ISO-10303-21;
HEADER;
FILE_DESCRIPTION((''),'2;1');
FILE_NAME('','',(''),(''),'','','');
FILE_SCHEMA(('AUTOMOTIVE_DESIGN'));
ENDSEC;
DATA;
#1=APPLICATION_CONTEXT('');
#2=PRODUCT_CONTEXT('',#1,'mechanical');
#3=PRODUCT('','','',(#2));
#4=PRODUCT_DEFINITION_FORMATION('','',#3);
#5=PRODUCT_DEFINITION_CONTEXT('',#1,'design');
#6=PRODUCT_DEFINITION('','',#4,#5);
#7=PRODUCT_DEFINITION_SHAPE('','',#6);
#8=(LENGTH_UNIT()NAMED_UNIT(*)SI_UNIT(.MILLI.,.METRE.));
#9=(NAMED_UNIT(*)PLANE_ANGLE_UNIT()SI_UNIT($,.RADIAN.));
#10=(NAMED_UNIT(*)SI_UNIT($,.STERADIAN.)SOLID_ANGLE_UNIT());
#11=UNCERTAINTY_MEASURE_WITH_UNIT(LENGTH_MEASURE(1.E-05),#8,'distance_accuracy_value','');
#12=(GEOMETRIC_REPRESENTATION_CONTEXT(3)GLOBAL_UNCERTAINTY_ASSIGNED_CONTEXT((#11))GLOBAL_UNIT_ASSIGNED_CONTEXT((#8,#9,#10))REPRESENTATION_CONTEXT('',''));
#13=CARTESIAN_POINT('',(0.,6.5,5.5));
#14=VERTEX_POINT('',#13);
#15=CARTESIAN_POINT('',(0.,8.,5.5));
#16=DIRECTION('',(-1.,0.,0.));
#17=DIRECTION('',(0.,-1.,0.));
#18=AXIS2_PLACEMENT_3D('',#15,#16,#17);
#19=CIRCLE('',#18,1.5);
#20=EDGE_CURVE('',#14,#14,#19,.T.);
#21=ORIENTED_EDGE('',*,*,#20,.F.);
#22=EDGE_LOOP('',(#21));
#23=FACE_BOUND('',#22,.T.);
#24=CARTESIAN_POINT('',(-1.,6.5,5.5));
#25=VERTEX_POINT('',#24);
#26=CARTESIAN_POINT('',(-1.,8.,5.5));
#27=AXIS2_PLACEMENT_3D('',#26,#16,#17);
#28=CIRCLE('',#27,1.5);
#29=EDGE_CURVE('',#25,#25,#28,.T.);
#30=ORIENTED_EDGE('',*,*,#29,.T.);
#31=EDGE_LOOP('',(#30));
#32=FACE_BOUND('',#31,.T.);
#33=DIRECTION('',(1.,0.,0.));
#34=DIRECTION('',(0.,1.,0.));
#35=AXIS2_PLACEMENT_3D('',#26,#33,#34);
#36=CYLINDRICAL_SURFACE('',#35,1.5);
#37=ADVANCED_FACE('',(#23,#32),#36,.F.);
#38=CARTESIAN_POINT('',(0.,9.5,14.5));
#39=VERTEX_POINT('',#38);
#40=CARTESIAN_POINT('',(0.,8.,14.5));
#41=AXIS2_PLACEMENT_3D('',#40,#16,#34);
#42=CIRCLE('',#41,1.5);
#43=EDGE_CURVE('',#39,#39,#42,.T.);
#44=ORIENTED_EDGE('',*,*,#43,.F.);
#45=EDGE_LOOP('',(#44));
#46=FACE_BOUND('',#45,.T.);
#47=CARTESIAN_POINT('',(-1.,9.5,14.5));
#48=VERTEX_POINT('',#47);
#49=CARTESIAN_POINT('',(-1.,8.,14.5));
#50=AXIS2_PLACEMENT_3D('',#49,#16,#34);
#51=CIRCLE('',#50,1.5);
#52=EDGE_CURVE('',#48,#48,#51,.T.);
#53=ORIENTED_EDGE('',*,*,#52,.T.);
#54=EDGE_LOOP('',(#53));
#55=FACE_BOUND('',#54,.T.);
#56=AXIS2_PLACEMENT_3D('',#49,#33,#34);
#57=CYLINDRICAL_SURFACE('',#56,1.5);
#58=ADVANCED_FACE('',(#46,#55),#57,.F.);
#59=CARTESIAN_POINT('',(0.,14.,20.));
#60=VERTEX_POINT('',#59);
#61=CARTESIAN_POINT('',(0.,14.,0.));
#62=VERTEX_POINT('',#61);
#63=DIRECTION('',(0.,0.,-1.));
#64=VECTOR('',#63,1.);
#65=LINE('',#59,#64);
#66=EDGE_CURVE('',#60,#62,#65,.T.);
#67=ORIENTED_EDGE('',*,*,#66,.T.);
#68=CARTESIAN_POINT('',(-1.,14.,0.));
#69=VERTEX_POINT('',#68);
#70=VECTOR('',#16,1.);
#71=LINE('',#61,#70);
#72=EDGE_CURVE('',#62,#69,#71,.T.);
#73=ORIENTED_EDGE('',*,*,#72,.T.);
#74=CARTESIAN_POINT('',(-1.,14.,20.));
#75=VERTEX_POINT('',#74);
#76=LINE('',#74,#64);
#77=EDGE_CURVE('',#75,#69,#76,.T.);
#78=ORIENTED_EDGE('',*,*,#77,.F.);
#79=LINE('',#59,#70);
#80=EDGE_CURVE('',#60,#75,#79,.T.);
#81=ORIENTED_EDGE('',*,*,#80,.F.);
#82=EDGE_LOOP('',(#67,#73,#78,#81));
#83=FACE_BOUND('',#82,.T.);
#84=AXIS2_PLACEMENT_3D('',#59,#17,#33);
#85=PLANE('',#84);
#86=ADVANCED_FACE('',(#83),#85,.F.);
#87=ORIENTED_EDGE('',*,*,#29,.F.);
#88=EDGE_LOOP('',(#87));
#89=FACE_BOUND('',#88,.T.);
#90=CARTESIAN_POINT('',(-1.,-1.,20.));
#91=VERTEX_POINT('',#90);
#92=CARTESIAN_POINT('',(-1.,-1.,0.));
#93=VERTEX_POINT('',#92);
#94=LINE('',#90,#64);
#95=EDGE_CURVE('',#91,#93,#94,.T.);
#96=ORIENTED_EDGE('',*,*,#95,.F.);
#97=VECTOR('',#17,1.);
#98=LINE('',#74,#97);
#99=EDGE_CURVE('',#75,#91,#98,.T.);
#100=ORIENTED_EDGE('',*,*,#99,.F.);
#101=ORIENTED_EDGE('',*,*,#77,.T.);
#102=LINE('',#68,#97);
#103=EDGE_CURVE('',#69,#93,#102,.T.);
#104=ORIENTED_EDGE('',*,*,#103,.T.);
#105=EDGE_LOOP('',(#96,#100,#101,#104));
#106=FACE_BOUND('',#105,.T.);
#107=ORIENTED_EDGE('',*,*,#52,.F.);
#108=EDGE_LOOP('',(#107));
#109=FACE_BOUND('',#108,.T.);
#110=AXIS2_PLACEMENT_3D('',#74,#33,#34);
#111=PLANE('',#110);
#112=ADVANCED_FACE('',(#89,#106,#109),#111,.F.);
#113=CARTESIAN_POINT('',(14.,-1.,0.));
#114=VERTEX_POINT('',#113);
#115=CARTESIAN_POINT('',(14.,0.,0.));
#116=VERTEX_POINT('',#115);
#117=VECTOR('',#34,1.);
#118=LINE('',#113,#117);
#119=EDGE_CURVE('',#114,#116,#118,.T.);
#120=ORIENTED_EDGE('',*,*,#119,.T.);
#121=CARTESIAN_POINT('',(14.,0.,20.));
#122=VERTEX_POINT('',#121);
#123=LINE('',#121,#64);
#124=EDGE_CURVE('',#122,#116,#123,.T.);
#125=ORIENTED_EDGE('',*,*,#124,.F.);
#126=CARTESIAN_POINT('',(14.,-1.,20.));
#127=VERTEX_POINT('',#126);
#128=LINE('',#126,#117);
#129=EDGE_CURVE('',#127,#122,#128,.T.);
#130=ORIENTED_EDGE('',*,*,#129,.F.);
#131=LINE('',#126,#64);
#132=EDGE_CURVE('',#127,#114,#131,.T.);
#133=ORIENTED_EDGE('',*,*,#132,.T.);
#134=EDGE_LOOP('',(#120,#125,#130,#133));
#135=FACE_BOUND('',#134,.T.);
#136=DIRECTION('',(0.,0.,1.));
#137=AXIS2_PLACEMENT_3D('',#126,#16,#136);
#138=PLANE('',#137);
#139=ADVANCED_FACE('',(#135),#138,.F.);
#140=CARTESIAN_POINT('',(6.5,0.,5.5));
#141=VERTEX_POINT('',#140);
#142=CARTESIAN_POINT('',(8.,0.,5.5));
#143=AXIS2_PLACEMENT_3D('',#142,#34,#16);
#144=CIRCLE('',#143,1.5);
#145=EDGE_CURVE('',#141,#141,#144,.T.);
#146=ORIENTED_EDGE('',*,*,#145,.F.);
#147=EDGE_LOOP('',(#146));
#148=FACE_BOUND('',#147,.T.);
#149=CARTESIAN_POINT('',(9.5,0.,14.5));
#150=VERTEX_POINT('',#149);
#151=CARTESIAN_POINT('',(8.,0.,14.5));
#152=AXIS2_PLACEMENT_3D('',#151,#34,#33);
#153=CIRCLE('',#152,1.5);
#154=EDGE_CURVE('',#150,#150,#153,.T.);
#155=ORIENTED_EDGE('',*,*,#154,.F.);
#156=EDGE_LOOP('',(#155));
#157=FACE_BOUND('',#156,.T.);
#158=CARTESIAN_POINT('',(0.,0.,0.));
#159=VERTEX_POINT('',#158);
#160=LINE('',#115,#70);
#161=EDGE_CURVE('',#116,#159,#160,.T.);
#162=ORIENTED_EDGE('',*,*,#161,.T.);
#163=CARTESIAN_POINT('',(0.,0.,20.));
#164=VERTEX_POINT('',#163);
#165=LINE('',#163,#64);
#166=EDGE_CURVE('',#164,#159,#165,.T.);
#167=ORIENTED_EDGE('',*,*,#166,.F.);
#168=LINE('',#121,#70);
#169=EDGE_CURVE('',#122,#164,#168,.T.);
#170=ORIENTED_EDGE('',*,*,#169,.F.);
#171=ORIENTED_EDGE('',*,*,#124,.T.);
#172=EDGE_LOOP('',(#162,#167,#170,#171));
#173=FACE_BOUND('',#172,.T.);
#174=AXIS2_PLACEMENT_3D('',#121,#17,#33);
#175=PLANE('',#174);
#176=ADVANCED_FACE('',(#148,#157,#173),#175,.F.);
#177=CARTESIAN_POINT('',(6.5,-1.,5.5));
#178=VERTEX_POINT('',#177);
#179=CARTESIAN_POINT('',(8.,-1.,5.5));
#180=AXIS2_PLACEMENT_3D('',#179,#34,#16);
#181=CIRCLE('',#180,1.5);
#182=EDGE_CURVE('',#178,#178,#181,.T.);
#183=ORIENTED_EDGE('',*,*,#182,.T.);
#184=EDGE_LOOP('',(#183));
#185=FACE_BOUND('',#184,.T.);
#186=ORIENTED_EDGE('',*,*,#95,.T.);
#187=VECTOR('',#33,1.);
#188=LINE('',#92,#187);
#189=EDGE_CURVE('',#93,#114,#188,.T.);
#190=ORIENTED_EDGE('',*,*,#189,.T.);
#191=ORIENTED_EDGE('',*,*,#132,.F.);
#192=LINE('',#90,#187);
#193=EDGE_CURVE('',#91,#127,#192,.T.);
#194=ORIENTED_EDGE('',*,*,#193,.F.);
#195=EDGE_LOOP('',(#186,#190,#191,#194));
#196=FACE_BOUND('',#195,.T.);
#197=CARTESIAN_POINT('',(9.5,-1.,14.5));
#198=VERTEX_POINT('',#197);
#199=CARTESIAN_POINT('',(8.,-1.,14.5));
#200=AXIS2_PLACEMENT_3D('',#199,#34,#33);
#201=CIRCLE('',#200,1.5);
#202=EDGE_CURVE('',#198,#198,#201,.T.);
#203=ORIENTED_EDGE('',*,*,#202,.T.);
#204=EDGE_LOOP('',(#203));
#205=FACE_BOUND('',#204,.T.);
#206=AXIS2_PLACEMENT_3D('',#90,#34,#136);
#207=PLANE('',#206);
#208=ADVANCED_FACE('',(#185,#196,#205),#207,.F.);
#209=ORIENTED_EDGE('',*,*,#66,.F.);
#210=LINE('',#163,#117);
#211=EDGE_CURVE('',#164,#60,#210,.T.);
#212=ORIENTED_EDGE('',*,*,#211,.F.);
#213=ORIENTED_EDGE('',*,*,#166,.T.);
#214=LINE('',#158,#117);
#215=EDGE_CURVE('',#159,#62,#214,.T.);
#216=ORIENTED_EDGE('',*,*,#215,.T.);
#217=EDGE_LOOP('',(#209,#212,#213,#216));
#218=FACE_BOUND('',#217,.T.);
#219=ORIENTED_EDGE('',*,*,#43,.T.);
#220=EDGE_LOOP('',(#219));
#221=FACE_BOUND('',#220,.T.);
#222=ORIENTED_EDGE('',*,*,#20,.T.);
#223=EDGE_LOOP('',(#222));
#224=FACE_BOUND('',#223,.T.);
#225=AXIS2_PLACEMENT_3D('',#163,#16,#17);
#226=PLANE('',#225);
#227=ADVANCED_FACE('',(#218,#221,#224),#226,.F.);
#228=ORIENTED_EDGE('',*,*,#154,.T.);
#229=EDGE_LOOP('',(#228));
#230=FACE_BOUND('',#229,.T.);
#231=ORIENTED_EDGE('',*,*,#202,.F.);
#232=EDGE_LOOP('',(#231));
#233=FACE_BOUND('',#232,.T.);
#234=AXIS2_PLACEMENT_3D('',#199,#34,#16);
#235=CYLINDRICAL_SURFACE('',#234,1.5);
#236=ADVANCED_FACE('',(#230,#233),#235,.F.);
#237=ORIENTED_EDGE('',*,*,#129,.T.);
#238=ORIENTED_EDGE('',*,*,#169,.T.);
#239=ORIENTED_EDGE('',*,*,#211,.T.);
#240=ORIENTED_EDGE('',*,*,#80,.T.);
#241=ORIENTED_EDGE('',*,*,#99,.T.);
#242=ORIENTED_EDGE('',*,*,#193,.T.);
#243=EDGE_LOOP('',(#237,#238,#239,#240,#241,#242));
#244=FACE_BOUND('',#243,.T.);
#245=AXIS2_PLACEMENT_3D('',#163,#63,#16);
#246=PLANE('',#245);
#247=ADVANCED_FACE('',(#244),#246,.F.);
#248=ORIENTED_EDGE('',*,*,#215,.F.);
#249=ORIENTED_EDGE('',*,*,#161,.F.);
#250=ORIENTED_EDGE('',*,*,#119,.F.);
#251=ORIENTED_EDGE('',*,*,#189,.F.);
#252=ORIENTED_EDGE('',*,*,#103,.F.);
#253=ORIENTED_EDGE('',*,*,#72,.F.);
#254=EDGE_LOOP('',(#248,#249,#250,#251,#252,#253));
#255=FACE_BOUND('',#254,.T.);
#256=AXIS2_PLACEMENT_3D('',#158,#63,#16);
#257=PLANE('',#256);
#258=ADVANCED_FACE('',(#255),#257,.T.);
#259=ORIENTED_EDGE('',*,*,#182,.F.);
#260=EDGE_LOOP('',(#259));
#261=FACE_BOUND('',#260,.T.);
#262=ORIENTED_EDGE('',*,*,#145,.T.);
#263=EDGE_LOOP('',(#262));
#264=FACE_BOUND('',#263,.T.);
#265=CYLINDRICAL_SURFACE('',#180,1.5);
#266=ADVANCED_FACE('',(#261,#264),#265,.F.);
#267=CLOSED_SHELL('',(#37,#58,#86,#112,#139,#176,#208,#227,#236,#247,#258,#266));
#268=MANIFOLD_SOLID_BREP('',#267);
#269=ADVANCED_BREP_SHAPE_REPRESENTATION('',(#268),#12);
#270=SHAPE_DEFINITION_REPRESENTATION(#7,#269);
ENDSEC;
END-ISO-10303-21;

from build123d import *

# Parameters (mm, degrees)
EXTRUDE_1_DEPTH     = 20
SKETCH_2_R          = 1.5
CUT_EXTRUDE_1_DEPTH = 29.142494559


with BuildPart() as part:
    # 草图1 → 凸台-拉伸1 (new body)
    with BuildSketch(Plane.XY):
        Polygon((0, 0), (0, 14), (-1, 14), (-1, -1), (14, -1), (14, 0), align=None)
    extrude(amount=EXTRUDE_1_DEPTH)

    # 草图2 → 切除-拉伸1 (cut, through all)
    with BuildSketch(Plane(origin=(0, 0, 0), x_dir=(1, 0, 0), z_dir=(0, 1, 0))):
        with Locations(Location((8, -5.5, 0), (0, 0, 180))):
            Circle(SKETCH_2_R)
        with Locations((8, -14.5)):
            Circle(SKETCH_2_R)
    cut_extrude_1 = extrude(amount=-CUT_EXTRUDE_1_DEPTH, mode=Mode.SUBTRACT)

    # 镜向1: 切除-拉伸1 across plane
    add(cut_extrude_1.mirror(Plane(origin=(0, 0, 0), x_dir=(0, 0, 1), z_dir=(-0.7071067811865476, 0.7071067811865475, 0))), mode=Mode.SUBTRACT)


solid = part.part
